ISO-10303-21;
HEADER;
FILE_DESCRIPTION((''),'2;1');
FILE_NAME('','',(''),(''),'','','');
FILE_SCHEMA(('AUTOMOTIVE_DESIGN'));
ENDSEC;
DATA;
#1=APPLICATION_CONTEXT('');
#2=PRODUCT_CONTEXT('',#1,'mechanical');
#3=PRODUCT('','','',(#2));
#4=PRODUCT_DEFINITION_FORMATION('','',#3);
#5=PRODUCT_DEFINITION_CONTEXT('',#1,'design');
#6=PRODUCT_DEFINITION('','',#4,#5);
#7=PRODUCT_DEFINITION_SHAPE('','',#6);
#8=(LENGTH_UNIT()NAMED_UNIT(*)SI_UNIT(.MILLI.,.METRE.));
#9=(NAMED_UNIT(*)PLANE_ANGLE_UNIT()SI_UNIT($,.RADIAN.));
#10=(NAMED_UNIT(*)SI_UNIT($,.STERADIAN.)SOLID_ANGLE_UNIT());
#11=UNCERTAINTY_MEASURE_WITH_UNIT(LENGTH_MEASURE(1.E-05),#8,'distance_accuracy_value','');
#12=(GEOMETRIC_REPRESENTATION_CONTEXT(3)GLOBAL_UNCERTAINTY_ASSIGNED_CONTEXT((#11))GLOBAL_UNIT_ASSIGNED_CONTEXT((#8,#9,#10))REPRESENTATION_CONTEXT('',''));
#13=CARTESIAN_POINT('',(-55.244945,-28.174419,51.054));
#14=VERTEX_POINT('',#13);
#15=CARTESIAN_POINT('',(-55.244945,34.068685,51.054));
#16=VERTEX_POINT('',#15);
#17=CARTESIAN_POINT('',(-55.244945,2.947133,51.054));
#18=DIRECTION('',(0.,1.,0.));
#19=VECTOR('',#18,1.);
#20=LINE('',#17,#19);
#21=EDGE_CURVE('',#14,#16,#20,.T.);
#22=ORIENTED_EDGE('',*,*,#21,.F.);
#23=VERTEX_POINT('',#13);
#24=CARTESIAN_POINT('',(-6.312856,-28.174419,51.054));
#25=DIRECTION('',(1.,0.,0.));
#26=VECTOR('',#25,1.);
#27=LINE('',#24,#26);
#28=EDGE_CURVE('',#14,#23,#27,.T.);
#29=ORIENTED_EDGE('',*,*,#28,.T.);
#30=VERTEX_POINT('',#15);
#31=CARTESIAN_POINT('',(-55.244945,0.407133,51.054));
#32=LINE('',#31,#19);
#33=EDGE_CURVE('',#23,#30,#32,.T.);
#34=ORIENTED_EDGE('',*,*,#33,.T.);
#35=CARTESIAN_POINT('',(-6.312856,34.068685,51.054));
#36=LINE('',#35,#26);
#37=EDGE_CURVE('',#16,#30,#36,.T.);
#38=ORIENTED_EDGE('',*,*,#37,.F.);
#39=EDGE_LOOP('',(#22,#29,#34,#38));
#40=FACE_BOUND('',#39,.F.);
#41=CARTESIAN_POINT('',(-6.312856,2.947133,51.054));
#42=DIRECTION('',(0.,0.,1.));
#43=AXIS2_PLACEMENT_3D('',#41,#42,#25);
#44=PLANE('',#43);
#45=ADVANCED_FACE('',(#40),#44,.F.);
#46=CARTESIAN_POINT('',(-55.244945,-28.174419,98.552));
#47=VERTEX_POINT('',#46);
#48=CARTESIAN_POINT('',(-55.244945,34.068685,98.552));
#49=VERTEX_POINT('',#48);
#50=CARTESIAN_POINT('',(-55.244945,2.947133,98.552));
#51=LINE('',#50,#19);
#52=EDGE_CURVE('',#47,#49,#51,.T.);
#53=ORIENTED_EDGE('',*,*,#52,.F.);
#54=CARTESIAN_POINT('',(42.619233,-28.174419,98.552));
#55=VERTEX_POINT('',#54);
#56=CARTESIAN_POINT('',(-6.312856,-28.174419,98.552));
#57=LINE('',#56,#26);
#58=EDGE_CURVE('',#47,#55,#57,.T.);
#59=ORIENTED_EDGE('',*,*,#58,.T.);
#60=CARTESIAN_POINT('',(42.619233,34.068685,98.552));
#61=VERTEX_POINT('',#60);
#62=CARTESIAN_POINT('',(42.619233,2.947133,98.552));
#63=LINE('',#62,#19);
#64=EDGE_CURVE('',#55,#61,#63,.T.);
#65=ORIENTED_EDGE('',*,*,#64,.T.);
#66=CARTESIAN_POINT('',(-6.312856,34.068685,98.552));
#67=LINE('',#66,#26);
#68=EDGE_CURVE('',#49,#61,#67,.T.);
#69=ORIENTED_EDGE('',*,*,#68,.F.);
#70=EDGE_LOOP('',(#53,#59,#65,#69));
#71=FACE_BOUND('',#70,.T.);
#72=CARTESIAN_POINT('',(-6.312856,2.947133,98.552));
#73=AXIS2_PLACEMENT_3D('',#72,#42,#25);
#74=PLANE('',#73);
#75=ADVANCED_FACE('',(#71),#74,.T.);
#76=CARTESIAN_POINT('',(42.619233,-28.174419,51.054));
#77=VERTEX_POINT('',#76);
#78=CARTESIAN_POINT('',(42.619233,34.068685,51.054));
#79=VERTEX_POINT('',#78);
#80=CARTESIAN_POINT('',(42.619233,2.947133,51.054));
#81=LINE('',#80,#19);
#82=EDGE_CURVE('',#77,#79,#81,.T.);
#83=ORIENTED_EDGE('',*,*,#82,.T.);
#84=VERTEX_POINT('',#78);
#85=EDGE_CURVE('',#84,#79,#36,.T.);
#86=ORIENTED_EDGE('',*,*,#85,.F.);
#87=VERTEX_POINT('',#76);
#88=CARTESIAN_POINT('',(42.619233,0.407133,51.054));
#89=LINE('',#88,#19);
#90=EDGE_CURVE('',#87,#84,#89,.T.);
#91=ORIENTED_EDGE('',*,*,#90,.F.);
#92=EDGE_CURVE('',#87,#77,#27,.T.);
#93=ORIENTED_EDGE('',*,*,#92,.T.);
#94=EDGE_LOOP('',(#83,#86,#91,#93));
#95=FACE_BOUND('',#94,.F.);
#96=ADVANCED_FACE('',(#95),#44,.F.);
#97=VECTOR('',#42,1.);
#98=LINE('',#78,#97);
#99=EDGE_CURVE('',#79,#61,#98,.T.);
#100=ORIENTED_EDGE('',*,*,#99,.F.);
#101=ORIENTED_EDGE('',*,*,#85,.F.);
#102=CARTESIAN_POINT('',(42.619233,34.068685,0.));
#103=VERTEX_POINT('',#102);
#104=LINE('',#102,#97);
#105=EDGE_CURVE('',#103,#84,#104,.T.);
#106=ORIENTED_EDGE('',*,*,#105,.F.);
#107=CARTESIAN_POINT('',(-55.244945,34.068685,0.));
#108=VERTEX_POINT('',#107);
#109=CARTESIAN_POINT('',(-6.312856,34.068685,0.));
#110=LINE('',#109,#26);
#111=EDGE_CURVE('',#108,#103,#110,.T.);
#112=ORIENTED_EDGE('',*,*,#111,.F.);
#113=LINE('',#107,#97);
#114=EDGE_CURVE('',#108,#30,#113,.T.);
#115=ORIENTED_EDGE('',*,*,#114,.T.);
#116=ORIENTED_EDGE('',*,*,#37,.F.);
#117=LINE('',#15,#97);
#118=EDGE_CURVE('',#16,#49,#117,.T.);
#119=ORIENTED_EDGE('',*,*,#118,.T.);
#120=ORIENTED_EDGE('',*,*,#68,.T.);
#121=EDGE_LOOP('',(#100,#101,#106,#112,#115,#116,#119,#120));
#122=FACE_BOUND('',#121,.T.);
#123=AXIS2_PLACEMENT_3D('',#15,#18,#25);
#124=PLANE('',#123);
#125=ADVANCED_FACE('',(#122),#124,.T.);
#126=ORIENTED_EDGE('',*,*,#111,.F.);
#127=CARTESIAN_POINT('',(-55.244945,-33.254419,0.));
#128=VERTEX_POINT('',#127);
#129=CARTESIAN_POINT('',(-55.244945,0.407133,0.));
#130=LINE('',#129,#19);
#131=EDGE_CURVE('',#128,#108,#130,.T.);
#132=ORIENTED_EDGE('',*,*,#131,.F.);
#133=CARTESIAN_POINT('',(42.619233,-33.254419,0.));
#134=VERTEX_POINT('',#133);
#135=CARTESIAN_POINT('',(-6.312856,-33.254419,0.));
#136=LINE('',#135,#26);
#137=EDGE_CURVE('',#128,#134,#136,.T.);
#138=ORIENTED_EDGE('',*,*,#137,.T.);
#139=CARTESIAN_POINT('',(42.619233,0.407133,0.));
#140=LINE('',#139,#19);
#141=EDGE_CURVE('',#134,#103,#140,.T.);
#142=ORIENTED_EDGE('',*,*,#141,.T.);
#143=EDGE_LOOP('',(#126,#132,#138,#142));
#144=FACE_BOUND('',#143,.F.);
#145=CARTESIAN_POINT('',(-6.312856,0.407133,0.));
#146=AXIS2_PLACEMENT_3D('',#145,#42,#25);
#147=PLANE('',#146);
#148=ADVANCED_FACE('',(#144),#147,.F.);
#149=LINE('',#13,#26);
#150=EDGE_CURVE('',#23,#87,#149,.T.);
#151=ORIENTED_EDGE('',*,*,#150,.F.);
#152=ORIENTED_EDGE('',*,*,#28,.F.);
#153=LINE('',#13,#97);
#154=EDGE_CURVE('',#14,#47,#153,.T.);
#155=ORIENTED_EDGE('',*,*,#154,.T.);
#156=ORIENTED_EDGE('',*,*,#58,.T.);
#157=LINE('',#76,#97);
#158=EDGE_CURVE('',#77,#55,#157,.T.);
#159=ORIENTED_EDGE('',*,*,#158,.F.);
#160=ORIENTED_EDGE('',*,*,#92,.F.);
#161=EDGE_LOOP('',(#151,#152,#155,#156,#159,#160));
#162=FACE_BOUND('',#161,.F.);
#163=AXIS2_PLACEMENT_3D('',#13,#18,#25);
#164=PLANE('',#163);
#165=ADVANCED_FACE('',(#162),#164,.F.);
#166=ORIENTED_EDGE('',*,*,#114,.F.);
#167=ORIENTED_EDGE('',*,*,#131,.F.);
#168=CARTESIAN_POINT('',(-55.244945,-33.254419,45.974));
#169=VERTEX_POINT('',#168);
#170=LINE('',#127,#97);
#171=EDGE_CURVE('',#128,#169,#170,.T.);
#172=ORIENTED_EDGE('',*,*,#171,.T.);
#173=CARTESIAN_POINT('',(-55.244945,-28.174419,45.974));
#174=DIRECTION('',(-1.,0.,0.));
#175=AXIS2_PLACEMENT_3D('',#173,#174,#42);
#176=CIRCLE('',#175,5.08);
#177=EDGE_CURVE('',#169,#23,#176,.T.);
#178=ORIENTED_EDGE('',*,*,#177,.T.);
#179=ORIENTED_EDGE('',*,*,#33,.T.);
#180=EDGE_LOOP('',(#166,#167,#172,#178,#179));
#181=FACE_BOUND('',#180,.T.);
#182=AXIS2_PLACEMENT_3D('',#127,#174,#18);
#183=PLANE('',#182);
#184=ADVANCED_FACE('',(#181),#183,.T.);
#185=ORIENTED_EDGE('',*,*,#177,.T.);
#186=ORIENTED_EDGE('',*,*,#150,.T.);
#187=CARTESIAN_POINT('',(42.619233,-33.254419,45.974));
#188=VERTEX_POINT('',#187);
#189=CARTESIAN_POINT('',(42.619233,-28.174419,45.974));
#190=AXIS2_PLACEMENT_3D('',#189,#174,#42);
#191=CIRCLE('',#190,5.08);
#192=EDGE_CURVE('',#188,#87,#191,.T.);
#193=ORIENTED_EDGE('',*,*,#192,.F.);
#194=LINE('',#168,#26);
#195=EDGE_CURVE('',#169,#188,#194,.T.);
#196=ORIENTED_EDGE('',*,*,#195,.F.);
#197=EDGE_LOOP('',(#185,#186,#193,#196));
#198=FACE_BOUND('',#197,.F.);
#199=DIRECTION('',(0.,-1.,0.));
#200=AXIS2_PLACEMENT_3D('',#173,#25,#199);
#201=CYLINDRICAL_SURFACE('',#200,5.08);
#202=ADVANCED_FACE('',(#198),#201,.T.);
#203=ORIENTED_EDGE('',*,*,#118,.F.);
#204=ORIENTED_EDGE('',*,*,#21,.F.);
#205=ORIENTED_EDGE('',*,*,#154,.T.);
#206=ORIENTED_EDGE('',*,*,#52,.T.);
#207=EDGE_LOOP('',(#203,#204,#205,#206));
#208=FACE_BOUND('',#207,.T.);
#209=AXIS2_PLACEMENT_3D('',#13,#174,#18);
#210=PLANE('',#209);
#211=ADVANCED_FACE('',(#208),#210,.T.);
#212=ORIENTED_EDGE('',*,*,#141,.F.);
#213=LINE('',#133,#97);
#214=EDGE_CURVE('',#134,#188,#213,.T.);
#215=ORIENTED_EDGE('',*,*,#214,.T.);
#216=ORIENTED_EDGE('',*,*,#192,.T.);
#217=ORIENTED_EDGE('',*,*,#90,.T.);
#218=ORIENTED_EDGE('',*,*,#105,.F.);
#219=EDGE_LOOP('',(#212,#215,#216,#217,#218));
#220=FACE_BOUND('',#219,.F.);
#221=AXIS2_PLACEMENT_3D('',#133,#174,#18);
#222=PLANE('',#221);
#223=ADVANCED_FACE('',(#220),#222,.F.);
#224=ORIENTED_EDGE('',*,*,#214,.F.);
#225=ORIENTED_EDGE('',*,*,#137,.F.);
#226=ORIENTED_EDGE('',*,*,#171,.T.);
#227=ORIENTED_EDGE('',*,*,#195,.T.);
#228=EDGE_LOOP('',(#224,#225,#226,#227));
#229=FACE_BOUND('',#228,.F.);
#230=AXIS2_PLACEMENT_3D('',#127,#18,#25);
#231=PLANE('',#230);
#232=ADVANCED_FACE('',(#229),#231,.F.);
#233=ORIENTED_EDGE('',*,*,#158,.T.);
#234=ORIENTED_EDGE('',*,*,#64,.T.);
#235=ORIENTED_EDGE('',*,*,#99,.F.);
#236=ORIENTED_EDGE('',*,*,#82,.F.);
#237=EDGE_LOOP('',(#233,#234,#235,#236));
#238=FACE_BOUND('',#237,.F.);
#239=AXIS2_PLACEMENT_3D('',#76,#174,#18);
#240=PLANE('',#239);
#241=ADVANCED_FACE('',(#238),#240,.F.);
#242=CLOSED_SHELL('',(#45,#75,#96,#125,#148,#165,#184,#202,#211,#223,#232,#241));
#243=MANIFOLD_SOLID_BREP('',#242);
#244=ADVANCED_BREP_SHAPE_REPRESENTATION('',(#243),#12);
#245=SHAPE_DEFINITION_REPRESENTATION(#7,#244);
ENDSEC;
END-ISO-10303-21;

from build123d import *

# Parameters (mm, degrees)
F0_W      = 97.864177
F0_H      = 67.323104
F1_DEPTH  = 51.054
F2_R      = 5.08
F1_FACE_W = 97.864178
F1_FACE_H = 62.243104
F3_DEPTH  = 47.498


with BuildPart() as f1:
    # F0 (on Top) → F1 (new body)
    with BuildSketch(Plane.XY):
        with Locations((-6.312856, 0.407133)):
            Rectangle(F0_W, F0_H)
    extrude(amount=F1_DEPTH)

    # F2
    f2_edges = [f1.edges().sort_by_distance(p)[0] for p in [
        (-6.312856, -33.254419, 51.054),
    ]]
    fillet(f2_edges, radius=F2_R)

    # F1_face (on face) → F3 (join)
    with BuildSketch(Plane(origin=(-6.312856, 2.947133, 51.054), x_dir=(1, 0, 0), z_dir=(0, 0, 1))):
        Rectangle(F1_FACE_W, F1_FACE_H)
    extrude(amount=F3_DEPTH)


solid = f1.part
